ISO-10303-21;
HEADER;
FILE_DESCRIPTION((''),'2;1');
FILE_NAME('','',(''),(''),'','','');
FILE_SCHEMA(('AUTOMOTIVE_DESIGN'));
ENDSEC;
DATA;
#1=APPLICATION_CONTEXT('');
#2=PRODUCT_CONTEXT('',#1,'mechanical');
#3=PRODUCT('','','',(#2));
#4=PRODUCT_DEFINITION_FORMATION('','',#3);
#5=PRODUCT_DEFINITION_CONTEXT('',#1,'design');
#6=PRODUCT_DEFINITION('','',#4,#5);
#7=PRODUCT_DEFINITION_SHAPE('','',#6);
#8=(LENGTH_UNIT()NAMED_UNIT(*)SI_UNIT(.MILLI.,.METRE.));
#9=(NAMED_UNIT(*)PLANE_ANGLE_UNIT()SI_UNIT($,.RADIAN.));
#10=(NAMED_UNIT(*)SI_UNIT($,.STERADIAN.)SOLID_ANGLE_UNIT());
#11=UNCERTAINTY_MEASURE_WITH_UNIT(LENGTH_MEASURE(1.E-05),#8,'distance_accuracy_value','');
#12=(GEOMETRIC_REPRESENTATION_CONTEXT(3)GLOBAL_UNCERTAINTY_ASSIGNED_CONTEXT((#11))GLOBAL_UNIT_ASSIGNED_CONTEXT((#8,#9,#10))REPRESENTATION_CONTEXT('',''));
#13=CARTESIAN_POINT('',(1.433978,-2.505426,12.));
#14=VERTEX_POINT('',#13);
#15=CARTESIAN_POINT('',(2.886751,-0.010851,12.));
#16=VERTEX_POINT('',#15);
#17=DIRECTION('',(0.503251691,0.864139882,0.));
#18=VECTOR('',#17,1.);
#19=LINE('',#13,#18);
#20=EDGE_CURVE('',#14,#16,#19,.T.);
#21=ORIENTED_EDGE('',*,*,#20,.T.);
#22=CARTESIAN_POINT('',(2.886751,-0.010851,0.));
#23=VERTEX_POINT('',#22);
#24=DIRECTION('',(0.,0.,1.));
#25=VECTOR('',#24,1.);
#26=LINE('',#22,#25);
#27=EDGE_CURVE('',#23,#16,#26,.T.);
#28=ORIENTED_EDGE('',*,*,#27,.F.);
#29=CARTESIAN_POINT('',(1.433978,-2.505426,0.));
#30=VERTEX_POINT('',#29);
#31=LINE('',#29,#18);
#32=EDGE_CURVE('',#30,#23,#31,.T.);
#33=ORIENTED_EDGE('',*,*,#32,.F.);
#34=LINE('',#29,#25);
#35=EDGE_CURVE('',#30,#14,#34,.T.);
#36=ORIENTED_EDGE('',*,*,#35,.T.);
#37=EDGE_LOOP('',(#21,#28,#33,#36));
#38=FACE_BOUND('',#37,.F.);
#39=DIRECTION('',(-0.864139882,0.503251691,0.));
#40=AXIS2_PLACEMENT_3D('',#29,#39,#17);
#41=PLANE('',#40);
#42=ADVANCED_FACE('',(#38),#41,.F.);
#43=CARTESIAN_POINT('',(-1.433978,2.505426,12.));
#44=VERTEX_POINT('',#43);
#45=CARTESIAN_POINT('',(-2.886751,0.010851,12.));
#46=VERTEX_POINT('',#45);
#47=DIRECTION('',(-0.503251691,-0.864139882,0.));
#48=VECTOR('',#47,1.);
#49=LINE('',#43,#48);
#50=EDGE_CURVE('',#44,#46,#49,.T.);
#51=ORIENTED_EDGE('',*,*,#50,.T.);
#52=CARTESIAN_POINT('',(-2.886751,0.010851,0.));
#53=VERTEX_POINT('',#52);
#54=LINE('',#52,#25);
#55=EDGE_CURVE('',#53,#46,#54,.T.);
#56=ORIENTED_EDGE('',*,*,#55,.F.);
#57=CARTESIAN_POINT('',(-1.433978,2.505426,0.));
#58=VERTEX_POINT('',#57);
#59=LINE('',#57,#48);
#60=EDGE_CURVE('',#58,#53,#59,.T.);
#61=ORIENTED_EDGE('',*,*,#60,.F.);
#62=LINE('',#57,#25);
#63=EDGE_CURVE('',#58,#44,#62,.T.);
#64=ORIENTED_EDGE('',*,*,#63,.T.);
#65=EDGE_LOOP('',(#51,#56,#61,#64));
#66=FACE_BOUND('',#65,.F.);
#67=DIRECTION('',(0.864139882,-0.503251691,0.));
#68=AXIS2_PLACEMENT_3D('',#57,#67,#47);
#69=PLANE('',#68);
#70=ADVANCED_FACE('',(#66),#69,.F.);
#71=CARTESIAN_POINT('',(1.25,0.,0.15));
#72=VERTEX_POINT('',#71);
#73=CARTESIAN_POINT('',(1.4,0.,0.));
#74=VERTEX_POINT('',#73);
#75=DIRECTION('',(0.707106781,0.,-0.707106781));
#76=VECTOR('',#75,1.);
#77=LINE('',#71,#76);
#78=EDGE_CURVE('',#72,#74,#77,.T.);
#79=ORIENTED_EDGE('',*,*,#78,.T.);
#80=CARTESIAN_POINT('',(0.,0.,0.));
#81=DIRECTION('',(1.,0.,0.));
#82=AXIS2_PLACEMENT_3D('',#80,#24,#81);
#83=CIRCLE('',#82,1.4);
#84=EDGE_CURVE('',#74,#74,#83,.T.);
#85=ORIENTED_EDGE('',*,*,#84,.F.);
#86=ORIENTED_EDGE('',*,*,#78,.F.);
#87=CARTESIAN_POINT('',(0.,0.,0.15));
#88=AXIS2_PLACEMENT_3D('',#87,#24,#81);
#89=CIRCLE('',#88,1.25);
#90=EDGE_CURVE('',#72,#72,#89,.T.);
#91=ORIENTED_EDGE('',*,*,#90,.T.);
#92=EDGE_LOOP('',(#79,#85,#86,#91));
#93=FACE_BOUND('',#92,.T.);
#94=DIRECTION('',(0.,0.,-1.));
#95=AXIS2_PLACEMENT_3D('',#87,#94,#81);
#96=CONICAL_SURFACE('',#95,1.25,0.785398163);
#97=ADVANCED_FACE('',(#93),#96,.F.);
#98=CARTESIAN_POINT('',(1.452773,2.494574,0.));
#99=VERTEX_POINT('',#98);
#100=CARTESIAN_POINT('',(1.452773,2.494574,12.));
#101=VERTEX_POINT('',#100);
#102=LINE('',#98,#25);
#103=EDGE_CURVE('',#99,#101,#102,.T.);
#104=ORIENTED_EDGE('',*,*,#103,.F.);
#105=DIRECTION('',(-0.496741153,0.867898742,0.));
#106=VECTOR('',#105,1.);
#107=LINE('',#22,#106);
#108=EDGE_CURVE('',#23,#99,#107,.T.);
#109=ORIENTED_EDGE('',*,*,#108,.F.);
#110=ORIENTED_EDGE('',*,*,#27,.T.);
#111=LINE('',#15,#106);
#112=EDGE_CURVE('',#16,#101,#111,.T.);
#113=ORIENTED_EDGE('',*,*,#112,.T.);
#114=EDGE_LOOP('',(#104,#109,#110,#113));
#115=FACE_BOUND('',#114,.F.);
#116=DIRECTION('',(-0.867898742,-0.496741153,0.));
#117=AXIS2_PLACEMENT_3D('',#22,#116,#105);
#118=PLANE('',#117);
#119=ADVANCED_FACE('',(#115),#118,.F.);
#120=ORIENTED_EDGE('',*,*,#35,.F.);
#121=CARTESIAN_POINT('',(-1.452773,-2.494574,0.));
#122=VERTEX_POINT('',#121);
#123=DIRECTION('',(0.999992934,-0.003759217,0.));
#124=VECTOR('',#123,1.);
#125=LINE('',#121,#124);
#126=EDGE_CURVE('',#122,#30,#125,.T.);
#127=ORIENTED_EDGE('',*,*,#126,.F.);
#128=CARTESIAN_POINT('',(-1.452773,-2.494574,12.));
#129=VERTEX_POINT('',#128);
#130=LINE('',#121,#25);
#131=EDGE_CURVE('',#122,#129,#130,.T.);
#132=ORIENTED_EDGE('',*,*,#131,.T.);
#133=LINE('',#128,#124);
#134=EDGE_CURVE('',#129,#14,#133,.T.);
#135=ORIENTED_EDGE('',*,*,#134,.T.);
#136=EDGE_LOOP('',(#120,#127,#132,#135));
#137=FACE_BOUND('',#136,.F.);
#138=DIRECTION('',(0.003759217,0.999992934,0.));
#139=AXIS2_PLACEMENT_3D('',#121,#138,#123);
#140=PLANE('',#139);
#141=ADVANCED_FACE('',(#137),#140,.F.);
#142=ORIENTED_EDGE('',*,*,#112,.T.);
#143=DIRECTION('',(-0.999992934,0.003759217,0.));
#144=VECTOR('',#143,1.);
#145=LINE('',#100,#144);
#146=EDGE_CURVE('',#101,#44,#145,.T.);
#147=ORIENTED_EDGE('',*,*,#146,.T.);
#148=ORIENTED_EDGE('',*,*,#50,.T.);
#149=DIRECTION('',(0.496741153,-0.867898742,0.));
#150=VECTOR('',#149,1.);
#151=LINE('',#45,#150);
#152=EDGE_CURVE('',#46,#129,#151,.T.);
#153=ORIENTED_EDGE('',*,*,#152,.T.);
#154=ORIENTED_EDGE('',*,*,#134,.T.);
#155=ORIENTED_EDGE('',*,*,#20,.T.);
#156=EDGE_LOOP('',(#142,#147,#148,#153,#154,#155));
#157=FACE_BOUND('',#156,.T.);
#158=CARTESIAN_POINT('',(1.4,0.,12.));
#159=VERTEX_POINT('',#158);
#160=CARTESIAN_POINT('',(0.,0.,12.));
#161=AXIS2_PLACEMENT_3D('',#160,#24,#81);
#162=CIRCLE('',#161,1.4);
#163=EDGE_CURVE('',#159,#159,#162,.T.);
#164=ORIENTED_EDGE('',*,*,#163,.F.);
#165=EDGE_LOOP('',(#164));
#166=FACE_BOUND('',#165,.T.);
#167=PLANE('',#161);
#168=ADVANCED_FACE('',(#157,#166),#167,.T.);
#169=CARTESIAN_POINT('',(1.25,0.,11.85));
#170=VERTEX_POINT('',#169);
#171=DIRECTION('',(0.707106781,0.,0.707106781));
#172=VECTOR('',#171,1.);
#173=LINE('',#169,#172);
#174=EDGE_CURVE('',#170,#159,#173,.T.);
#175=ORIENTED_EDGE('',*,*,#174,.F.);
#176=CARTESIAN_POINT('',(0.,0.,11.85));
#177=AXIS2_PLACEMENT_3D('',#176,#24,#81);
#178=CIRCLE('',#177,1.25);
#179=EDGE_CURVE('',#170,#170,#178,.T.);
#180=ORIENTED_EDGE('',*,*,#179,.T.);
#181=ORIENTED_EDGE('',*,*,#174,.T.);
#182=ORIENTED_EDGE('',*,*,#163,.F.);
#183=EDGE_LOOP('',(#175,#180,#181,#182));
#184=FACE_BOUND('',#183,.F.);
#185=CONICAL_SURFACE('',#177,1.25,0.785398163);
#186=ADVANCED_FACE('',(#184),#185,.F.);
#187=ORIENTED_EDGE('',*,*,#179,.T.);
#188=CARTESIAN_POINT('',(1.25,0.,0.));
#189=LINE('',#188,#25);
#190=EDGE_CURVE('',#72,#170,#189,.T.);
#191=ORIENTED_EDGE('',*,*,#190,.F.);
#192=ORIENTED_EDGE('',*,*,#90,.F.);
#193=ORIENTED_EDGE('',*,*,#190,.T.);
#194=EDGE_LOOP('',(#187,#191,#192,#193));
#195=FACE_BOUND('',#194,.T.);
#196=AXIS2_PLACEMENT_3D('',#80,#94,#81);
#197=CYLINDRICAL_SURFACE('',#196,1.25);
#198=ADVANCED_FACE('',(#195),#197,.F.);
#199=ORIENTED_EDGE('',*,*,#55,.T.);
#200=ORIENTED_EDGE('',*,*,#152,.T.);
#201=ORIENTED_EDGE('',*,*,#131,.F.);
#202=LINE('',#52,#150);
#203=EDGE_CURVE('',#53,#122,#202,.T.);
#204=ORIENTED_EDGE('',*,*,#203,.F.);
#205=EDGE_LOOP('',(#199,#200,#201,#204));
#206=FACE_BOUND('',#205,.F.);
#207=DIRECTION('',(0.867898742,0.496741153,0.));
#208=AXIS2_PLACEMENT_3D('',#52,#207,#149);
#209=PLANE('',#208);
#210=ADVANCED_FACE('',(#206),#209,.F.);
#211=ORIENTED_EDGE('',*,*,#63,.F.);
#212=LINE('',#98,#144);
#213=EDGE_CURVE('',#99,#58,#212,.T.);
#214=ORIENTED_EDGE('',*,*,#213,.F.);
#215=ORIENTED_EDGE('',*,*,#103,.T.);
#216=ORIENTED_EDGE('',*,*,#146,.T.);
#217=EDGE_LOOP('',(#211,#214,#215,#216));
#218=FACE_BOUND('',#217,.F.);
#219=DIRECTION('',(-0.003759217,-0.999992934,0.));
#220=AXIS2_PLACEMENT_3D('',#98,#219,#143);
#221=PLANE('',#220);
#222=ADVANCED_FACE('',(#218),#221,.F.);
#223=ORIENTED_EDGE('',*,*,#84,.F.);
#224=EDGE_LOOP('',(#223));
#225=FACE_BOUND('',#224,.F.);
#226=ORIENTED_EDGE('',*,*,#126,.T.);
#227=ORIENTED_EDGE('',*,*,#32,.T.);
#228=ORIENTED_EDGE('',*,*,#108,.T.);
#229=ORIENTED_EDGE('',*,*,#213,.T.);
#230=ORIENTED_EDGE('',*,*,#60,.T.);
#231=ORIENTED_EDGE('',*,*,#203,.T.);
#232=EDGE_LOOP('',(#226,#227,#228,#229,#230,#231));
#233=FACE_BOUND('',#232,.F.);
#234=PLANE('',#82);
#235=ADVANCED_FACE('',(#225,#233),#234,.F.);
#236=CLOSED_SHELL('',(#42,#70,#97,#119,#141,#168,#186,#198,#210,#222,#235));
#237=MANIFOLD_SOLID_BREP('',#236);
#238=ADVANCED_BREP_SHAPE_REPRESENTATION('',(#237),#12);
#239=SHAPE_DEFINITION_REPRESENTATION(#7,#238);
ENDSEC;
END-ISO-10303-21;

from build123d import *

# Parameters (mm, degrees)
F0_R     = 1.25
F1_DEPTH = 12
F2_DEPTH = 12
F3_SIZE  = 0.15


with BuildPart() as f1:
    # F0 (on Top) → F1 (new body)
    with BuildSketch(Plane.XY):
        Polygon((1.433978, -2.505426), (2.886751, -0.010851), (1.452773, 2.494574), (-1.433978, 2.505426), (-2.886751, 0.010851), (-1.452773, -2.494574), align=None)
        Circle(F0_R, mode=Mode.SUBTRACT)
    extrude(amount=F1_DEPTH)

    # F0 (on Top) → F2 (cut)
    with BuildSketch(Plane.XY):
        Polygon((1.433978, -2.505426), (2.886751, -0.010851), (1.452773, 2.494574), (-1.433978, 2.505426), (-2.886751, 0.010851), (-1.452773, -2.494574), align=None)
        Circle(F0_R, mode=Mode.SUBTRACT)
    extrude(amount=-F2_DEPTH, mode=Mode.SUBTRACT)

    # F3
    f3_edges = [f1.edges().sort_by_distance(p)[0] for p in [
        (1.25, 0, 6),
        (-1.25, 0, 0),
        (-1.25, 0, 12),
    ]]
    chamfer(f3_edges, length=F3_SIZE)


solid = f1.part
